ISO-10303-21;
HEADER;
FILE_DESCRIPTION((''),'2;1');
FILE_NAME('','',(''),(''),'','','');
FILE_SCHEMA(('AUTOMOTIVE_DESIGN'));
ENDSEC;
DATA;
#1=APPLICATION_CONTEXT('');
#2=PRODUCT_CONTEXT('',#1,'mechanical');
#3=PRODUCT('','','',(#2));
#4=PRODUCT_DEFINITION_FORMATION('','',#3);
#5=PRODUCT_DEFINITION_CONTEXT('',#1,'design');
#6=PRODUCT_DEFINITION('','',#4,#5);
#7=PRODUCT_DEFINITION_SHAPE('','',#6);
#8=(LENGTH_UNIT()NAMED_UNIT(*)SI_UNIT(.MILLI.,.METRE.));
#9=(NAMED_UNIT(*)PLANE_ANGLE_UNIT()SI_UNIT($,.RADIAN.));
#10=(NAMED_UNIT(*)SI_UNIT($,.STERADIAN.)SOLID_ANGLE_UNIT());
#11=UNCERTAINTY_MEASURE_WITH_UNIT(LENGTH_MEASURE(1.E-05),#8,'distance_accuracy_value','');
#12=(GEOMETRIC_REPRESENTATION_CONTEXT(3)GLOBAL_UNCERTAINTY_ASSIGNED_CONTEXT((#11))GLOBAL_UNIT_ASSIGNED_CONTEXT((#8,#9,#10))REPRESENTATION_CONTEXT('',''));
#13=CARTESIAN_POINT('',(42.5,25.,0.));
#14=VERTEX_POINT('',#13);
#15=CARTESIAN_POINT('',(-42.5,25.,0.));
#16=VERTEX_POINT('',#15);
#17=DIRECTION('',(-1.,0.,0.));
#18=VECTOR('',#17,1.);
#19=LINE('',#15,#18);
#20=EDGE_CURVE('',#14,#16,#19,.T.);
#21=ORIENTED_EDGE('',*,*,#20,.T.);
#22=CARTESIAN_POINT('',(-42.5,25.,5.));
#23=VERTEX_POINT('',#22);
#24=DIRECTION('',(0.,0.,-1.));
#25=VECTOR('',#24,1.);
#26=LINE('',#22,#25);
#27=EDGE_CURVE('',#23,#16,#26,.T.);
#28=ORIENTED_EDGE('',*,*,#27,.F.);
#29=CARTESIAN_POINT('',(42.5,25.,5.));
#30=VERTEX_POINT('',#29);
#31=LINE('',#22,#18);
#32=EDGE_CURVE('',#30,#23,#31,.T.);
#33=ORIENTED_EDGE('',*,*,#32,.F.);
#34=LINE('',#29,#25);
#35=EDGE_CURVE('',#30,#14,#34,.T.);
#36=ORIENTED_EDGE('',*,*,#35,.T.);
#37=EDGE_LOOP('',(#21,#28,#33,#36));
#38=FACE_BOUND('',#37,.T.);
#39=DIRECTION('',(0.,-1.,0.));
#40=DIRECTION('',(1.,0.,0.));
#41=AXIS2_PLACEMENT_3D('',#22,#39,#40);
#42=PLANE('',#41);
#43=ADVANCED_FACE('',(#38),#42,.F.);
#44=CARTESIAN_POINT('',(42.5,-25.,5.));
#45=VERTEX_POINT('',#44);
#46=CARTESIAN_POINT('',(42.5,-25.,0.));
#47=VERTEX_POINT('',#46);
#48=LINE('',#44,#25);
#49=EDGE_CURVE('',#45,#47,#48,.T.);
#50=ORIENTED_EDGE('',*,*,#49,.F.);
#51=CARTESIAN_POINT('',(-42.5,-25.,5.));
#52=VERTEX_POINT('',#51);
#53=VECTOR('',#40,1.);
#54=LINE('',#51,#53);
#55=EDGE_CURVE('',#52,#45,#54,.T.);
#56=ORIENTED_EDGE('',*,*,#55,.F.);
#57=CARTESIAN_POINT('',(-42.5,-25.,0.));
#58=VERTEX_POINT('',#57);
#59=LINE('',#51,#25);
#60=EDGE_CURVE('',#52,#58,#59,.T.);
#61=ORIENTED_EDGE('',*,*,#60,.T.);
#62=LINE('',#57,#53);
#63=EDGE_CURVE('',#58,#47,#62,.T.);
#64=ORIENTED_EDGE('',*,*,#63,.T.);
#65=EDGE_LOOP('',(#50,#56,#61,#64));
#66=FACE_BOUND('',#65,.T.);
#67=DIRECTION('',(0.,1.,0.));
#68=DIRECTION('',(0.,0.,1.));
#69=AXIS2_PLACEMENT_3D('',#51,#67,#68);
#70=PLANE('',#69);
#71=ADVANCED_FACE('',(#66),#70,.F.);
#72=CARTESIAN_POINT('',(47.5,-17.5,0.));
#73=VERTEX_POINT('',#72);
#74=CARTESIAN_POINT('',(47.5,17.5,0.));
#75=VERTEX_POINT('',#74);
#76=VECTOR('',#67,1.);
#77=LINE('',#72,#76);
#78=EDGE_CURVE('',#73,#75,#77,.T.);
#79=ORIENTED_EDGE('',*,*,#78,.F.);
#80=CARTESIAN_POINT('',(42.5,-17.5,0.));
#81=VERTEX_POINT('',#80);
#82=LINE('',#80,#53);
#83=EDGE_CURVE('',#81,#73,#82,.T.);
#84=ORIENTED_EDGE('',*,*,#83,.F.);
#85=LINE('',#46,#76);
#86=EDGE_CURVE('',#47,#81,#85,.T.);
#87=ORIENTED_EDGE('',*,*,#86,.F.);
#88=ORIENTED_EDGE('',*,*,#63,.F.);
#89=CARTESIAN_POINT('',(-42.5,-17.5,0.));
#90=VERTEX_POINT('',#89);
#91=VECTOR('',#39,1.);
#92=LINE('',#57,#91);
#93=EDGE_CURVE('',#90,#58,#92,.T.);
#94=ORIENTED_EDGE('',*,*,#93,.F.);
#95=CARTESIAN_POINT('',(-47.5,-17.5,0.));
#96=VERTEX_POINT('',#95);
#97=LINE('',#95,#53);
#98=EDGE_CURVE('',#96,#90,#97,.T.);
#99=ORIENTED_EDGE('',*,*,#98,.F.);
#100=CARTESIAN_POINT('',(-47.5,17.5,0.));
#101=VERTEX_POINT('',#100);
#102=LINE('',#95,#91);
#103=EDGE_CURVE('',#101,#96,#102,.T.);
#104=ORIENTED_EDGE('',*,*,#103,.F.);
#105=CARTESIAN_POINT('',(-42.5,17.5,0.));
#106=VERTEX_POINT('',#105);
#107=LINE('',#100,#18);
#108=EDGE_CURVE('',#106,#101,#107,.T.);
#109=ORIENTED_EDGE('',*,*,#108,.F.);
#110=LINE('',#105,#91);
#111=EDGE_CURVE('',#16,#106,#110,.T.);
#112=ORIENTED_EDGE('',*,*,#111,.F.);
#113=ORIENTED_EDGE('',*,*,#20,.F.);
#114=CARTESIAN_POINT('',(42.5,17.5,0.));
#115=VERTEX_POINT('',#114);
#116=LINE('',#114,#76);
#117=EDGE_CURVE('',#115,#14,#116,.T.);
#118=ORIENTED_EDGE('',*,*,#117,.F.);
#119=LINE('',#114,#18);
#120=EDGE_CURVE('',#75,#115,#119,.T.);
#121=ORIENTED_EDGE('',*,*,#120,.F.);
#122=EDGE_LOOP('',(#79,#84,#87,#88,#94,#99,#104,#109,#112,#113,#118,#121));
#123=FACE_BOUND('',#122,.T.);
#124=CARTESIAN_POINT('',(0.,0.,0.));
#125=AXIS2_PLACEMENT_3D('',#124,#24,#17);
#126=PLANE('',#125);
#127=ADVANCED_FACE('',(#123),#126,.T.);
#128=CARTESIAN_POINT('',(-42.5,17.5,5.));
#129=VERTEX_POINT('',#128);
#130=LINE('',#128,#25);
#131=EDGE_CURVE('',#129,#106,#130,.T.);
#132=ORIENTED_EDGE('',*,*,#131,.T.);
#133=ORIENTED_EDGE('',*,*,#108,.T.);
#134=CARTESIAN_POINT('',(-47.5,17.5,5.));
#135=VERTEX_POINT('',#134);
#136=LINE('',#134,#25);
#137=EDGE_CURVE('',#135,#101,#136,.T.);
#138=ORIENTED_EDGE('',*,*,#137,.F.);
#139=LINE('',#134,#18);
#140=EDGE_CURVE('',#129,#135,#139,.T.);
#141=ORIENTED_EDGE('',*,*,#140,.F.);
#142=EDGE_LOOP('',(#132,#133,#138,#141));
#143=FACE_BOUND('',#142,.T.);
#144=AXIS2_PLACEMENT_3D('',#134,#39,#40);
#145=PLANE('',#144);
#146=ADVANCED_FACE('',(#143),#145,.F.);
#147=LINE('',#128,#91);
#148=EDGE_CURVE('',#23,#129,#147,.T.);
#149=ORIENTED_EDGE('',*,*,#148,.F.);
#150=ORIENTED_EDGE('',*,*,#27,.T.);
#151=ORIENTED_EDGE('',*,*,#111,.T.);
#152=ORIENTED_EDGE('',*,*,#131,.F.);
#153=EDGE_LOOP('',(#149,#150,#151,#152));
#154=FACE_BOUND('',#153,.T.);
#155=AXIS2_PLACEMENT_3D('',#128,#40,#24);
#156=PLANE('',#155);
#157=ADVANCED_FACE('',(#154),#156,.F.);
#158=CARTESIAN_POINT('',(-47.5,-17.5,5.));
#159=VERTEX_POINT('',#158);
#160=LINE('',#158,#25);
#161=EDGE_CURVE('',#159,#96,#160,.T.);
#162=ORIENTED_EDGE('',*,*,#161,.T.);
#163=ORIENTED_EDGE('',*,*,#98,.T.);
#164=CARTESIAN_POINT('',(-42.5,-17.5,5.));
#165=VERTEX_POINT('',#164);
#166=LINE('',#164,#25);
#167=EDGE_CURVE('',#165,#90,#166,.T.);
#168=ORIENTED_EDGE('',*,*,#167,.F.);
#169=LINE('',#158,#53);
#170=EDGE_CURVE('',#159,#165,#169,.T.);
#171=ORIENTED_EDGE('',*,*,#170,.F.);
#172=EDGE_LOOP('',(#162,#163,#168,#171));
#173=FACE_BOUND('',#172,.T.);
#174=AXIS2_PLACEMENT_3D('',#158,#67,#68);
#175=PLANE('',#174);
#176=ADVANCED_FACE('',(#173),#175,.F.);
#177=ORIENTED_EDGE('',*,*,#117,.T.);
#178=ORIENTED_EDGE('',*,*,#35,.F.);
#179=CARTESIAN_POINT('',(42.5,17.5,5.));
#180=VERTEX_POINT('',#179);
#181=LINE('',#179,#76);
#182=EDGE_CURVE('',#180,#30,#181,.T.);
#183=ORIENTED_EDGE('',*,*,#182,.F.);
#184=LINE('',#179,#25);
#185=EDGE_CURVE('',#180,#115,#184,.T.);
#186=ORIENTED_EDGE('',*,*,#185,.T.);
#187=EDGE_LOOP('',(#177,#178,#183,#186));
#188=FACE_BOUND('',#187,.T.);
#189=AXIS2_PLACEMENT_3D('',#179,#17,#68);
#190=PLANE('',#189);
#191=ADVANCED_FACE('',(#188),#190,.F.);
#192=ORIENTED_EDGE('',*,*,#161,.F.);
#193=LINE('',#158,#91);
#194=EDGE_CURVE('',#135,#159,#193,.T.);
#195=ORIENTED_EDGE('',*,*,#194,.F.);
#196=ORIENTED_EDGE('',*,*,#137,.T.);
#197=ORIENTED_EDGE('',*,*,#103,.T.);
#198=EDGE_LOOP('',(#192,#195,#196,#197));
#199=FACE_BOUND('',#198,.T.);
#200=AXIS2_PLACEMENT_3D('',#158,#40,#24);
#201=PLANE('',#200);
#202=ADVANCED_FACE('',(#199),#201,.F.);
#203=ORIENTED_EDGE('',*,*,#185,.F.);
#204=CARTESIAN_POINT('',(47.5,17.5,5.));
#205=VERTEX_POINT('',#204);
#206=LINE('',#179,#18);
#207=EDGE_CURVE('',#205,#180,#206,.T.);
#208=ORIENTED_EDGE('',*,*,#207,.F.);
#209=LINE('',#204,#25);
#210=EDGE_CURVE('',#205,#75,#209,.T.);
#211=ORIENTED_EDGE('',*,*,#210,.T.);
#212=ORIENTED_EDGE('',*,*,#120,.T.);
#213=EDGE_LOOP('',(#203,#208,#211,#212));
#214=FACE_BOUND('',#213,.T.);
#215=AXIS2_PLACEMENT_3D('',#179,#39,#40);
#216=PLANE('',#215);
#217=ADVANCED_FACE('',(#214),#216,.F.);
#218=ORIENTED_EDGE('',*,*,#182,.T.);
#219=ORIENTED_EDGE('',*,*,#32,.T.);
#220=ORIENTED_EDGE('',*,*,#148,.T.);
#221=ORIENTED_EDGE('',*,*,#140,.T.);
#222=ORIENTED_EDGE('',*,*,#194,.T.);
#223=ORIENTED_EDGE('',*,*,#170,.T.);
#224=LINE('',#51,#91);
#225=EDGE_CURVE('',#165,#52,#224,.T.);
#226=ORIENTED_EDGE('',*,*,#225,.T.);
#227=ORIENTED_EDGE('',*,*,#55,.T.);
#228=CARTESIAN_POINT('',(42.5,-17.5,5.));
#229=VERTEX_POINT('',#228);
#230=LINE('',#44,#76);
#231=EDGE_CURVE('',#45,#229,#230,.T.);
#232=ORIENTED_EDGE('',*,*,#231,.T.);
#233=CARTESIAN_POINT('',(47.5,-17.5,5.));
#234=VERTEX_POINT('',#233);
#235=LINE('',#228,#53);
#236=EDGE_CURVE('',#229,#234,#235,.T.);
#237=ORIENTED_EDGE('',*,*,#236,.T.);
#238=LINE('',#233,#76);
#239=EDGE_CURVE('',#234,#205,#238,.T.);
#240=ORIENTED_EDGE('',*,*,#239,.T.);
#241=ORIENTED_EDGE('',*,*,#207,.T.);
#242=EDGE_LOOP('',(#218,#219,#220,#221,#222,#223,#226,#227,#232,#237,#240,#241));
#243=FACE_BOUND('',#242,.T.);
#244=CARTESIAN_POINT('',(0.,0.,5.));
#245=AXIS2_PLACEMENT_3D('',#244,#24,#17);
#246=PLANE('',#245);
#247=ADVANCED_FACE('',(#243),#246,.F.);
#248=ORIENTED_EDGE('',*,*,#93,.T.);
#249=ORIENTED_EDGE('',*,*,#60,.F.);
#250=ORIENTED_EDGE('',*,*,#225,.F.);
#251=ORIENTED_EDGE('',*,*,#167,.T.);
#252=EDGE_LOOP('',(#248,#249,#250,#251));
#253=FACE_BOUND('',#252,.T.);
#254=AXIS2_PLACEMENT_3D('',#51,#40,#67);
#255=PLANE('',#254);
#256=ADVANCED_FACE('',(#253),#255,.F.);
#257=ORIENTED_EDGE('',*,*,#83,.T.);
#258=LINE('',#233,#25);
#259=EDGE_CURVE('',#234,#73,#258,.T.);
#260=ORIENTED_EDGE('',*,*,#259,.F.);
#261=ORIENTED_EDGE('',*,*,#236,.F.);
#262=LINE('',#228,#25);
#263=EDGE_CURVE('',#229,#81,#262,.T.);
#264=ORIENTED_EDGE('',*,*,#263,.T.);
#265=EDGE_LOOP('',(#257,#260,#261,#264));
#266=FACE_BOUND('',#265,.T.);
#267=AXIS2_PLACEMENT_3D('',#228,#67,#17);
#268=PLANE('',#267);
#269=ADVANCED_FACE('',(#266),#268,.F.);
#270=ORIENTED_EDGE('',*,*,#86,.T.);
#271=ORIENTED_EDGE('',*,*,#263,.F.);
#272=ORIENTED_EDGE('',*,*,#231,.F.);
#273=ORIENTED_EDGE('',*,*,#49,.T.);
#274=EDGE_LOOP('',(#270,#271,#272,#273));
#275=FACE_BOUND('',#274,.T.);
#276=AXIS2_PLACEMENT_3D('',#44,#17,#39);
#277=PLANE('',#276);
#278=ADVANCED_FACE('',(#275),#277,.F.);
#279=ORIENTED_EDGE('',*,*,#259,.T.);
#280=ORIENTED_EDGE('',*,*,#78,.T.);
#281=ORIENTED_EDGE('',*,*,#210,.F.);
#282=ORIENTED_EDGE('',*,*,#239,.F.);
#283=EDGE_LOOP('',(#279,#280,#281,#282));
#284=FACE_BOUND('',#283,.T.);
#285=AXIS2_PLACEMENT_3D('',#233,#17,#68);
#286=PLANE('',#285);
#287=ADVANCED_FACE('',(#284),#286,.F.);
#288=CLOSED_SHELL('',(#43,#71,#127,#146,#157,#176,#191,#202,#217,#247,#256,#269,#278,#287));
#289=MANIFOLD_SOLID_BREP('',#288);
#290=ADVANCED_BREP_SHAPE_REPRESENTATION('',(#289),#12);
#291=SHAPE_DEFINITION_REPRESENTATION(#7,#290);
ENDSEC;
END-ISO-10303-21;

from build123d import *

# Parameters (mm, degrees)
SALIENTE_EXTRUIR1_DEPTH = 5


with BuildPart() as part:
    # Croquis1 → Saliente-Extruir1 (new body)
    with BuildSketch(Plane.XY):
        Polygon((-42.5, -25), (42.5, -25), (42.5, -17.5), (47.5, -17.5), (47.5, 17.5), (42.5, 17.5), (42.5, 25), (-42.5, 25), (-42.5, 17.5), (-47.5, 17.5), (-47.5, -17.5), (-42.5, -17.5), align=None)
    extrude(amount=SALIENTE_EXTRUIR1_DEPTH)


solid = part.part
